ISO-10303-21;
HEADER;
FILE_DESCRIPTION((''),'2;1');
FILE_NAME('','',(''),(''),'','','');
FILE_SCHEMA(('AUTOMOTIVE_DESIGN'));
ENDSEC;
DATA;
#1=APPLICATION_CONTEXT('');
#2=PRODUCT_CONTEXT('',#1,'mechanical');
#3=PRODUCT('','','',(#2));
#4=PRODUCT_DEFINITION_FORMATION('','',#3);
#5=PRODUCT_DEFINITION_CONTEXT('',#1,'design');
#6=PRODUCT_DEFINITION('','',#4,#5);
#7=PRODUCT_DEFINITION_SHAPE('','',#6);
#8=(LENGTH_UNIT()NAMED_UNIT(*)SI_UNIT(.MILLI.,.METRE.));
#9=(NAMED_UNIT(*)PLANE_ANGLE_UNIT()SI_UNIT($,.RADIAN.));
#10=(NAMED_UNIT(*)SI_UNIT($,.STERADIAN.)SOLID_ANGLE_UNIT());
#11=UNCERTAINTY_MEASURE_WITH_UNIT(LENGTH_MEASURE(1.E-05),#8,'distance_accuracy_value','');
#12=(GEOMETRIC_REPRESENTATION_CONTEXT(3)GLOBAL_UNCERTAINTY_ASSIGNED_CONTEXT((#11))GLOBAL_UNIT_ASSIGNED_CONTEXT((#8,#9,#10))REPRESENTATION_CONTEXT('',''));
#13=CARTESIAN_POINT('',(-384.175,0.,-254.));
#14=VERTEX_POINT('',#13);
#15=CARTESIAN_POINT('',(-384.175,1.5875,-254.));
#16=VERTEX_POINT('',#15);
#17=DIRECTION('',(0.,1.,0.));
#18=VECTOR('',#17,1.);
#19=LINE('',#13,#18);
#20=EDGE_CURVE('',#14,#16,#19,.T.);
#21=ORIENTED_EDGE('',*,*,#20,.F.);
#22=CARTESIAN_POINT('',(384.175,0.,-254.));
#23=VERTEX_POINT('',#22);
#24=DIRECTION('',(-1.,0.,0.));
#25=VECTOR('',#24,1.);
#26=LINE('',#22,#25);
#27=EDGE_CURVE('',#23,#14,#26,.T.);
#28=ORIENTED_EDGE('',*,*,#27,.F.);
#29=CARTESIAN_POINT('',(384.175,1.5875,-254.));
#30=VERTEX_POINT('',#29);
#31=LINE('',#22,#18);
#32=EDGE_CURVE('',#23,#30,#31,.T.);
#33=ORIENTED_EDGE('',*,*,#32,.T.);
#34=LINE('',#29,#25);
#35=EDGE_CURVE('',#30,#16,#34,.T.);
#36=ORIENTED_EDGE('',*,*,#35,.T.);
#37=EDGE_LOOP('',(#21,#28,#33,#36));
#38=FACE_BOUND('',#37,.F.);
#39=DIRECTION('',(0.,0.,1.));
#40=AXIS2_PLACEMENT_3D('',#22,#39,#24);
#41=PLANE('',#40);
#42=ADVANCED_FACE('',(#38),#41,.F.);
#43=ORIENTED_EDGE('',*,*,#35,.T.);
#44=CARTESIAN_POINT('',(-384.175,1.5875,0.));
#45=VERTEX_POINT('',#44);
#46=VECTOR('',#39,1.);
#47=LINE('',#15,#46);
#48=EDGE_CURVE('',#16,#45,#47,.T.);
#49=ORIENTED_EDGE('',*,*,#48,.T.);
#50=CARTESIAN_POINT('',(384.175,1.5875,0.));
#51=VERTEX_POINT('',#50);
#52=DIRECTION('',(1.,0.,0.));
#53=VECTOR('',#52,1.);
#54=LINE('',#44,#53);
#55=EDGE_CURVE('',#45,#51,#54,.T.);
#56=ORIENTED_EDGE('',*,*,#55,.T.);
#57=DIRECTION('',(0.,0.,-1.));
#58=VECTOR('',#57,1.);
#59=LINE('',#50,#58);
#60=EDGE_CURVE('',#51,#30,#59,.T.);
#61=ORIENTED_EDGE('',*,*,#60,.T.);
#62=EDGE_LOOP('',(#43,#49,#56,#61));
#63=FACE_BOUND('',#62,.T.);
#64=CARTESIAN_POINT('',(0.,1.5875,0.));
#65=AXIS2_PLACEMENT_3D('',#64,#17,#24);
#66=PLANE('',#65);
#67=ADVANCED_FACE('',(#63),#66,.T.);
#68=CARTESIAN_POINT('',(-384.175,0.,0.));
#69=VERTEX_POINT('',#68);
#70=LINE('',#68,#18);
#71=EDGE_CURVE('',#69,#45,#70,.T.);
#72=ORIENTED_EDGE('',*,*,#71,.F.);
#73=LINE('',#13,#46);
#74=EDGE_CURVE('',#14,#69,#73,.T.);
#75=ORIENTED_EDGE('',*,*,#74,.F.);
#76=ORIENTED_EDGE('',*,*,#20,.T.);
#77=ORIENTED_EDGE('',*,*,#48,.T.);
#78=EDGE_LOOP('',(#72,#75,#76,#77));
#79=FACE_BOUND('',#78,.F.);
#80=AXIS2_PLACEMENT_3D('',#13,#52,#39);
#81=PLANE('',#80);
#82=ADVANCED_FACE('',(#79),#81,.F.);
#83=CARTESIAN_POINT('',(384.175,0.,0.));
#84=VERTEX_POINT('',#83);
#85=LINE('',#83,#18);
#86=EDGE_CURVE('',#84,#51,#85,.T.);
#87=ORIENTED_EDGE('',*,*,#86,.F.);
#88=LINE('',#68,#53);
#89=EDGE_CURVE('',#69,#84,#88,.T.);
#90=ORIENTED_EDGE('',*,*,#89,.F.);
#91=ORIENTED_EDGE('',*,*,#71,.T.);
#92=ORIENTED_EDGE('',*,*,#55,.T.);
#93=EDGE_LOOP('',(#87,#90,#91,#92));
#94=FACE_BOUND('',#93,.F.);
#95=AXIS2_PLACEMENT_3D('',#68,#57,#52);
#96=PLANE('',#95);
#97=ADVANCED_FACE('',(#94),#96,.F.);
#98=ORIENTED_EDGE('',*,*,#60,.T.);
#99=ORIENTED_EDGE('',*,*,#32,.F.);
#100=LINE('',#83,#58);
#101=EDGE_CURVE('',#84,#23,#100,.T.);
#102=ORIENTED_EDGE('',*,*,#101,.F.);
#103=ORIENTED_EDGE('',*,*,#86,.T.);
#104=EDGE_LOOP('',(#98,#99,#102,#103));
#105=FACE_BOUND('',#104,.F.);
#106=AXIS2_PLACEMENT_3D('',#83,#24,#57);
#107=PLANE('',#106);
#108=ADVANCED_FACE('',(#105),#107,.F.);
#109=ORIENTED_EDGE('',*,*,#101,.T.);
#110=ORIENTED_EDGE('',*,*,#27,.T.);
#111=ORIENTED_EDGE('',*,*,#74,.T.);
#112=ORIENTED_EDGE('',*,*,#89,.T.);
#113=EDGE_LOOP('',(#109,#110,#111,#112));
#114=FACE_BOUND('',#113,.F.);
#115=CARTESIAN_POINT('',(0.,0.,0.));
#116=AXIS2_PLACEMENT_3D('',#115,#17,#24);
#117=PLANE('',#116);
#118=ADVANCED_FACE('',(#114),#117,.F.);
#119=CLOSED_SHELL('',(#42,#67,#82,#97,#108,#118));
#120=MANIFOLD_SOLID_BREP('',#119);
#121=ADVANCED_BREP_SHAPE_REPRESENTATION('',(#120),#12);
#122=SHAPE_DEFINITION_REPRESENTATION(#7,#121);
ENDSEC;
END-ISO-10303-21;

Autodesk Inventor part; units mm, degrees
ref_plane "YZ Plane" through (0, 0, 0) normal (1, 0, 0) x (0, 1, 0)
ref_plane "XZ Plane" through (0, 0, 0) normal (0, 1, 0) x (-1, 0, 0)
ref_plane "XY Plane" through (0, 0, 0) normal (0, 0, 1) x (1, 0, 0)
sketch "Sketch1" plane through (0, 0, 0) normal (0, 1, 0) x (-1, 0, 0)
  line L0 (-384.175, 0) -> (-384.175, -254)
  line L1 (-384.175, -254) -> (384.175, -254)
  line L2 (384.175, -254) -> (384.175, 0)
  line L3 (384.175, 0) -> (-384.175, 0)
  point P0 (0, 0)
  point P1 (0, 0)
  dimension "d0" = 254
  dimension "d2" = 768.35
extrude "Extrusion1" add sketch "Sketch1" along normal blind 1.5875
properties part number "Bottom" material "Polycarbonate, Clear"
